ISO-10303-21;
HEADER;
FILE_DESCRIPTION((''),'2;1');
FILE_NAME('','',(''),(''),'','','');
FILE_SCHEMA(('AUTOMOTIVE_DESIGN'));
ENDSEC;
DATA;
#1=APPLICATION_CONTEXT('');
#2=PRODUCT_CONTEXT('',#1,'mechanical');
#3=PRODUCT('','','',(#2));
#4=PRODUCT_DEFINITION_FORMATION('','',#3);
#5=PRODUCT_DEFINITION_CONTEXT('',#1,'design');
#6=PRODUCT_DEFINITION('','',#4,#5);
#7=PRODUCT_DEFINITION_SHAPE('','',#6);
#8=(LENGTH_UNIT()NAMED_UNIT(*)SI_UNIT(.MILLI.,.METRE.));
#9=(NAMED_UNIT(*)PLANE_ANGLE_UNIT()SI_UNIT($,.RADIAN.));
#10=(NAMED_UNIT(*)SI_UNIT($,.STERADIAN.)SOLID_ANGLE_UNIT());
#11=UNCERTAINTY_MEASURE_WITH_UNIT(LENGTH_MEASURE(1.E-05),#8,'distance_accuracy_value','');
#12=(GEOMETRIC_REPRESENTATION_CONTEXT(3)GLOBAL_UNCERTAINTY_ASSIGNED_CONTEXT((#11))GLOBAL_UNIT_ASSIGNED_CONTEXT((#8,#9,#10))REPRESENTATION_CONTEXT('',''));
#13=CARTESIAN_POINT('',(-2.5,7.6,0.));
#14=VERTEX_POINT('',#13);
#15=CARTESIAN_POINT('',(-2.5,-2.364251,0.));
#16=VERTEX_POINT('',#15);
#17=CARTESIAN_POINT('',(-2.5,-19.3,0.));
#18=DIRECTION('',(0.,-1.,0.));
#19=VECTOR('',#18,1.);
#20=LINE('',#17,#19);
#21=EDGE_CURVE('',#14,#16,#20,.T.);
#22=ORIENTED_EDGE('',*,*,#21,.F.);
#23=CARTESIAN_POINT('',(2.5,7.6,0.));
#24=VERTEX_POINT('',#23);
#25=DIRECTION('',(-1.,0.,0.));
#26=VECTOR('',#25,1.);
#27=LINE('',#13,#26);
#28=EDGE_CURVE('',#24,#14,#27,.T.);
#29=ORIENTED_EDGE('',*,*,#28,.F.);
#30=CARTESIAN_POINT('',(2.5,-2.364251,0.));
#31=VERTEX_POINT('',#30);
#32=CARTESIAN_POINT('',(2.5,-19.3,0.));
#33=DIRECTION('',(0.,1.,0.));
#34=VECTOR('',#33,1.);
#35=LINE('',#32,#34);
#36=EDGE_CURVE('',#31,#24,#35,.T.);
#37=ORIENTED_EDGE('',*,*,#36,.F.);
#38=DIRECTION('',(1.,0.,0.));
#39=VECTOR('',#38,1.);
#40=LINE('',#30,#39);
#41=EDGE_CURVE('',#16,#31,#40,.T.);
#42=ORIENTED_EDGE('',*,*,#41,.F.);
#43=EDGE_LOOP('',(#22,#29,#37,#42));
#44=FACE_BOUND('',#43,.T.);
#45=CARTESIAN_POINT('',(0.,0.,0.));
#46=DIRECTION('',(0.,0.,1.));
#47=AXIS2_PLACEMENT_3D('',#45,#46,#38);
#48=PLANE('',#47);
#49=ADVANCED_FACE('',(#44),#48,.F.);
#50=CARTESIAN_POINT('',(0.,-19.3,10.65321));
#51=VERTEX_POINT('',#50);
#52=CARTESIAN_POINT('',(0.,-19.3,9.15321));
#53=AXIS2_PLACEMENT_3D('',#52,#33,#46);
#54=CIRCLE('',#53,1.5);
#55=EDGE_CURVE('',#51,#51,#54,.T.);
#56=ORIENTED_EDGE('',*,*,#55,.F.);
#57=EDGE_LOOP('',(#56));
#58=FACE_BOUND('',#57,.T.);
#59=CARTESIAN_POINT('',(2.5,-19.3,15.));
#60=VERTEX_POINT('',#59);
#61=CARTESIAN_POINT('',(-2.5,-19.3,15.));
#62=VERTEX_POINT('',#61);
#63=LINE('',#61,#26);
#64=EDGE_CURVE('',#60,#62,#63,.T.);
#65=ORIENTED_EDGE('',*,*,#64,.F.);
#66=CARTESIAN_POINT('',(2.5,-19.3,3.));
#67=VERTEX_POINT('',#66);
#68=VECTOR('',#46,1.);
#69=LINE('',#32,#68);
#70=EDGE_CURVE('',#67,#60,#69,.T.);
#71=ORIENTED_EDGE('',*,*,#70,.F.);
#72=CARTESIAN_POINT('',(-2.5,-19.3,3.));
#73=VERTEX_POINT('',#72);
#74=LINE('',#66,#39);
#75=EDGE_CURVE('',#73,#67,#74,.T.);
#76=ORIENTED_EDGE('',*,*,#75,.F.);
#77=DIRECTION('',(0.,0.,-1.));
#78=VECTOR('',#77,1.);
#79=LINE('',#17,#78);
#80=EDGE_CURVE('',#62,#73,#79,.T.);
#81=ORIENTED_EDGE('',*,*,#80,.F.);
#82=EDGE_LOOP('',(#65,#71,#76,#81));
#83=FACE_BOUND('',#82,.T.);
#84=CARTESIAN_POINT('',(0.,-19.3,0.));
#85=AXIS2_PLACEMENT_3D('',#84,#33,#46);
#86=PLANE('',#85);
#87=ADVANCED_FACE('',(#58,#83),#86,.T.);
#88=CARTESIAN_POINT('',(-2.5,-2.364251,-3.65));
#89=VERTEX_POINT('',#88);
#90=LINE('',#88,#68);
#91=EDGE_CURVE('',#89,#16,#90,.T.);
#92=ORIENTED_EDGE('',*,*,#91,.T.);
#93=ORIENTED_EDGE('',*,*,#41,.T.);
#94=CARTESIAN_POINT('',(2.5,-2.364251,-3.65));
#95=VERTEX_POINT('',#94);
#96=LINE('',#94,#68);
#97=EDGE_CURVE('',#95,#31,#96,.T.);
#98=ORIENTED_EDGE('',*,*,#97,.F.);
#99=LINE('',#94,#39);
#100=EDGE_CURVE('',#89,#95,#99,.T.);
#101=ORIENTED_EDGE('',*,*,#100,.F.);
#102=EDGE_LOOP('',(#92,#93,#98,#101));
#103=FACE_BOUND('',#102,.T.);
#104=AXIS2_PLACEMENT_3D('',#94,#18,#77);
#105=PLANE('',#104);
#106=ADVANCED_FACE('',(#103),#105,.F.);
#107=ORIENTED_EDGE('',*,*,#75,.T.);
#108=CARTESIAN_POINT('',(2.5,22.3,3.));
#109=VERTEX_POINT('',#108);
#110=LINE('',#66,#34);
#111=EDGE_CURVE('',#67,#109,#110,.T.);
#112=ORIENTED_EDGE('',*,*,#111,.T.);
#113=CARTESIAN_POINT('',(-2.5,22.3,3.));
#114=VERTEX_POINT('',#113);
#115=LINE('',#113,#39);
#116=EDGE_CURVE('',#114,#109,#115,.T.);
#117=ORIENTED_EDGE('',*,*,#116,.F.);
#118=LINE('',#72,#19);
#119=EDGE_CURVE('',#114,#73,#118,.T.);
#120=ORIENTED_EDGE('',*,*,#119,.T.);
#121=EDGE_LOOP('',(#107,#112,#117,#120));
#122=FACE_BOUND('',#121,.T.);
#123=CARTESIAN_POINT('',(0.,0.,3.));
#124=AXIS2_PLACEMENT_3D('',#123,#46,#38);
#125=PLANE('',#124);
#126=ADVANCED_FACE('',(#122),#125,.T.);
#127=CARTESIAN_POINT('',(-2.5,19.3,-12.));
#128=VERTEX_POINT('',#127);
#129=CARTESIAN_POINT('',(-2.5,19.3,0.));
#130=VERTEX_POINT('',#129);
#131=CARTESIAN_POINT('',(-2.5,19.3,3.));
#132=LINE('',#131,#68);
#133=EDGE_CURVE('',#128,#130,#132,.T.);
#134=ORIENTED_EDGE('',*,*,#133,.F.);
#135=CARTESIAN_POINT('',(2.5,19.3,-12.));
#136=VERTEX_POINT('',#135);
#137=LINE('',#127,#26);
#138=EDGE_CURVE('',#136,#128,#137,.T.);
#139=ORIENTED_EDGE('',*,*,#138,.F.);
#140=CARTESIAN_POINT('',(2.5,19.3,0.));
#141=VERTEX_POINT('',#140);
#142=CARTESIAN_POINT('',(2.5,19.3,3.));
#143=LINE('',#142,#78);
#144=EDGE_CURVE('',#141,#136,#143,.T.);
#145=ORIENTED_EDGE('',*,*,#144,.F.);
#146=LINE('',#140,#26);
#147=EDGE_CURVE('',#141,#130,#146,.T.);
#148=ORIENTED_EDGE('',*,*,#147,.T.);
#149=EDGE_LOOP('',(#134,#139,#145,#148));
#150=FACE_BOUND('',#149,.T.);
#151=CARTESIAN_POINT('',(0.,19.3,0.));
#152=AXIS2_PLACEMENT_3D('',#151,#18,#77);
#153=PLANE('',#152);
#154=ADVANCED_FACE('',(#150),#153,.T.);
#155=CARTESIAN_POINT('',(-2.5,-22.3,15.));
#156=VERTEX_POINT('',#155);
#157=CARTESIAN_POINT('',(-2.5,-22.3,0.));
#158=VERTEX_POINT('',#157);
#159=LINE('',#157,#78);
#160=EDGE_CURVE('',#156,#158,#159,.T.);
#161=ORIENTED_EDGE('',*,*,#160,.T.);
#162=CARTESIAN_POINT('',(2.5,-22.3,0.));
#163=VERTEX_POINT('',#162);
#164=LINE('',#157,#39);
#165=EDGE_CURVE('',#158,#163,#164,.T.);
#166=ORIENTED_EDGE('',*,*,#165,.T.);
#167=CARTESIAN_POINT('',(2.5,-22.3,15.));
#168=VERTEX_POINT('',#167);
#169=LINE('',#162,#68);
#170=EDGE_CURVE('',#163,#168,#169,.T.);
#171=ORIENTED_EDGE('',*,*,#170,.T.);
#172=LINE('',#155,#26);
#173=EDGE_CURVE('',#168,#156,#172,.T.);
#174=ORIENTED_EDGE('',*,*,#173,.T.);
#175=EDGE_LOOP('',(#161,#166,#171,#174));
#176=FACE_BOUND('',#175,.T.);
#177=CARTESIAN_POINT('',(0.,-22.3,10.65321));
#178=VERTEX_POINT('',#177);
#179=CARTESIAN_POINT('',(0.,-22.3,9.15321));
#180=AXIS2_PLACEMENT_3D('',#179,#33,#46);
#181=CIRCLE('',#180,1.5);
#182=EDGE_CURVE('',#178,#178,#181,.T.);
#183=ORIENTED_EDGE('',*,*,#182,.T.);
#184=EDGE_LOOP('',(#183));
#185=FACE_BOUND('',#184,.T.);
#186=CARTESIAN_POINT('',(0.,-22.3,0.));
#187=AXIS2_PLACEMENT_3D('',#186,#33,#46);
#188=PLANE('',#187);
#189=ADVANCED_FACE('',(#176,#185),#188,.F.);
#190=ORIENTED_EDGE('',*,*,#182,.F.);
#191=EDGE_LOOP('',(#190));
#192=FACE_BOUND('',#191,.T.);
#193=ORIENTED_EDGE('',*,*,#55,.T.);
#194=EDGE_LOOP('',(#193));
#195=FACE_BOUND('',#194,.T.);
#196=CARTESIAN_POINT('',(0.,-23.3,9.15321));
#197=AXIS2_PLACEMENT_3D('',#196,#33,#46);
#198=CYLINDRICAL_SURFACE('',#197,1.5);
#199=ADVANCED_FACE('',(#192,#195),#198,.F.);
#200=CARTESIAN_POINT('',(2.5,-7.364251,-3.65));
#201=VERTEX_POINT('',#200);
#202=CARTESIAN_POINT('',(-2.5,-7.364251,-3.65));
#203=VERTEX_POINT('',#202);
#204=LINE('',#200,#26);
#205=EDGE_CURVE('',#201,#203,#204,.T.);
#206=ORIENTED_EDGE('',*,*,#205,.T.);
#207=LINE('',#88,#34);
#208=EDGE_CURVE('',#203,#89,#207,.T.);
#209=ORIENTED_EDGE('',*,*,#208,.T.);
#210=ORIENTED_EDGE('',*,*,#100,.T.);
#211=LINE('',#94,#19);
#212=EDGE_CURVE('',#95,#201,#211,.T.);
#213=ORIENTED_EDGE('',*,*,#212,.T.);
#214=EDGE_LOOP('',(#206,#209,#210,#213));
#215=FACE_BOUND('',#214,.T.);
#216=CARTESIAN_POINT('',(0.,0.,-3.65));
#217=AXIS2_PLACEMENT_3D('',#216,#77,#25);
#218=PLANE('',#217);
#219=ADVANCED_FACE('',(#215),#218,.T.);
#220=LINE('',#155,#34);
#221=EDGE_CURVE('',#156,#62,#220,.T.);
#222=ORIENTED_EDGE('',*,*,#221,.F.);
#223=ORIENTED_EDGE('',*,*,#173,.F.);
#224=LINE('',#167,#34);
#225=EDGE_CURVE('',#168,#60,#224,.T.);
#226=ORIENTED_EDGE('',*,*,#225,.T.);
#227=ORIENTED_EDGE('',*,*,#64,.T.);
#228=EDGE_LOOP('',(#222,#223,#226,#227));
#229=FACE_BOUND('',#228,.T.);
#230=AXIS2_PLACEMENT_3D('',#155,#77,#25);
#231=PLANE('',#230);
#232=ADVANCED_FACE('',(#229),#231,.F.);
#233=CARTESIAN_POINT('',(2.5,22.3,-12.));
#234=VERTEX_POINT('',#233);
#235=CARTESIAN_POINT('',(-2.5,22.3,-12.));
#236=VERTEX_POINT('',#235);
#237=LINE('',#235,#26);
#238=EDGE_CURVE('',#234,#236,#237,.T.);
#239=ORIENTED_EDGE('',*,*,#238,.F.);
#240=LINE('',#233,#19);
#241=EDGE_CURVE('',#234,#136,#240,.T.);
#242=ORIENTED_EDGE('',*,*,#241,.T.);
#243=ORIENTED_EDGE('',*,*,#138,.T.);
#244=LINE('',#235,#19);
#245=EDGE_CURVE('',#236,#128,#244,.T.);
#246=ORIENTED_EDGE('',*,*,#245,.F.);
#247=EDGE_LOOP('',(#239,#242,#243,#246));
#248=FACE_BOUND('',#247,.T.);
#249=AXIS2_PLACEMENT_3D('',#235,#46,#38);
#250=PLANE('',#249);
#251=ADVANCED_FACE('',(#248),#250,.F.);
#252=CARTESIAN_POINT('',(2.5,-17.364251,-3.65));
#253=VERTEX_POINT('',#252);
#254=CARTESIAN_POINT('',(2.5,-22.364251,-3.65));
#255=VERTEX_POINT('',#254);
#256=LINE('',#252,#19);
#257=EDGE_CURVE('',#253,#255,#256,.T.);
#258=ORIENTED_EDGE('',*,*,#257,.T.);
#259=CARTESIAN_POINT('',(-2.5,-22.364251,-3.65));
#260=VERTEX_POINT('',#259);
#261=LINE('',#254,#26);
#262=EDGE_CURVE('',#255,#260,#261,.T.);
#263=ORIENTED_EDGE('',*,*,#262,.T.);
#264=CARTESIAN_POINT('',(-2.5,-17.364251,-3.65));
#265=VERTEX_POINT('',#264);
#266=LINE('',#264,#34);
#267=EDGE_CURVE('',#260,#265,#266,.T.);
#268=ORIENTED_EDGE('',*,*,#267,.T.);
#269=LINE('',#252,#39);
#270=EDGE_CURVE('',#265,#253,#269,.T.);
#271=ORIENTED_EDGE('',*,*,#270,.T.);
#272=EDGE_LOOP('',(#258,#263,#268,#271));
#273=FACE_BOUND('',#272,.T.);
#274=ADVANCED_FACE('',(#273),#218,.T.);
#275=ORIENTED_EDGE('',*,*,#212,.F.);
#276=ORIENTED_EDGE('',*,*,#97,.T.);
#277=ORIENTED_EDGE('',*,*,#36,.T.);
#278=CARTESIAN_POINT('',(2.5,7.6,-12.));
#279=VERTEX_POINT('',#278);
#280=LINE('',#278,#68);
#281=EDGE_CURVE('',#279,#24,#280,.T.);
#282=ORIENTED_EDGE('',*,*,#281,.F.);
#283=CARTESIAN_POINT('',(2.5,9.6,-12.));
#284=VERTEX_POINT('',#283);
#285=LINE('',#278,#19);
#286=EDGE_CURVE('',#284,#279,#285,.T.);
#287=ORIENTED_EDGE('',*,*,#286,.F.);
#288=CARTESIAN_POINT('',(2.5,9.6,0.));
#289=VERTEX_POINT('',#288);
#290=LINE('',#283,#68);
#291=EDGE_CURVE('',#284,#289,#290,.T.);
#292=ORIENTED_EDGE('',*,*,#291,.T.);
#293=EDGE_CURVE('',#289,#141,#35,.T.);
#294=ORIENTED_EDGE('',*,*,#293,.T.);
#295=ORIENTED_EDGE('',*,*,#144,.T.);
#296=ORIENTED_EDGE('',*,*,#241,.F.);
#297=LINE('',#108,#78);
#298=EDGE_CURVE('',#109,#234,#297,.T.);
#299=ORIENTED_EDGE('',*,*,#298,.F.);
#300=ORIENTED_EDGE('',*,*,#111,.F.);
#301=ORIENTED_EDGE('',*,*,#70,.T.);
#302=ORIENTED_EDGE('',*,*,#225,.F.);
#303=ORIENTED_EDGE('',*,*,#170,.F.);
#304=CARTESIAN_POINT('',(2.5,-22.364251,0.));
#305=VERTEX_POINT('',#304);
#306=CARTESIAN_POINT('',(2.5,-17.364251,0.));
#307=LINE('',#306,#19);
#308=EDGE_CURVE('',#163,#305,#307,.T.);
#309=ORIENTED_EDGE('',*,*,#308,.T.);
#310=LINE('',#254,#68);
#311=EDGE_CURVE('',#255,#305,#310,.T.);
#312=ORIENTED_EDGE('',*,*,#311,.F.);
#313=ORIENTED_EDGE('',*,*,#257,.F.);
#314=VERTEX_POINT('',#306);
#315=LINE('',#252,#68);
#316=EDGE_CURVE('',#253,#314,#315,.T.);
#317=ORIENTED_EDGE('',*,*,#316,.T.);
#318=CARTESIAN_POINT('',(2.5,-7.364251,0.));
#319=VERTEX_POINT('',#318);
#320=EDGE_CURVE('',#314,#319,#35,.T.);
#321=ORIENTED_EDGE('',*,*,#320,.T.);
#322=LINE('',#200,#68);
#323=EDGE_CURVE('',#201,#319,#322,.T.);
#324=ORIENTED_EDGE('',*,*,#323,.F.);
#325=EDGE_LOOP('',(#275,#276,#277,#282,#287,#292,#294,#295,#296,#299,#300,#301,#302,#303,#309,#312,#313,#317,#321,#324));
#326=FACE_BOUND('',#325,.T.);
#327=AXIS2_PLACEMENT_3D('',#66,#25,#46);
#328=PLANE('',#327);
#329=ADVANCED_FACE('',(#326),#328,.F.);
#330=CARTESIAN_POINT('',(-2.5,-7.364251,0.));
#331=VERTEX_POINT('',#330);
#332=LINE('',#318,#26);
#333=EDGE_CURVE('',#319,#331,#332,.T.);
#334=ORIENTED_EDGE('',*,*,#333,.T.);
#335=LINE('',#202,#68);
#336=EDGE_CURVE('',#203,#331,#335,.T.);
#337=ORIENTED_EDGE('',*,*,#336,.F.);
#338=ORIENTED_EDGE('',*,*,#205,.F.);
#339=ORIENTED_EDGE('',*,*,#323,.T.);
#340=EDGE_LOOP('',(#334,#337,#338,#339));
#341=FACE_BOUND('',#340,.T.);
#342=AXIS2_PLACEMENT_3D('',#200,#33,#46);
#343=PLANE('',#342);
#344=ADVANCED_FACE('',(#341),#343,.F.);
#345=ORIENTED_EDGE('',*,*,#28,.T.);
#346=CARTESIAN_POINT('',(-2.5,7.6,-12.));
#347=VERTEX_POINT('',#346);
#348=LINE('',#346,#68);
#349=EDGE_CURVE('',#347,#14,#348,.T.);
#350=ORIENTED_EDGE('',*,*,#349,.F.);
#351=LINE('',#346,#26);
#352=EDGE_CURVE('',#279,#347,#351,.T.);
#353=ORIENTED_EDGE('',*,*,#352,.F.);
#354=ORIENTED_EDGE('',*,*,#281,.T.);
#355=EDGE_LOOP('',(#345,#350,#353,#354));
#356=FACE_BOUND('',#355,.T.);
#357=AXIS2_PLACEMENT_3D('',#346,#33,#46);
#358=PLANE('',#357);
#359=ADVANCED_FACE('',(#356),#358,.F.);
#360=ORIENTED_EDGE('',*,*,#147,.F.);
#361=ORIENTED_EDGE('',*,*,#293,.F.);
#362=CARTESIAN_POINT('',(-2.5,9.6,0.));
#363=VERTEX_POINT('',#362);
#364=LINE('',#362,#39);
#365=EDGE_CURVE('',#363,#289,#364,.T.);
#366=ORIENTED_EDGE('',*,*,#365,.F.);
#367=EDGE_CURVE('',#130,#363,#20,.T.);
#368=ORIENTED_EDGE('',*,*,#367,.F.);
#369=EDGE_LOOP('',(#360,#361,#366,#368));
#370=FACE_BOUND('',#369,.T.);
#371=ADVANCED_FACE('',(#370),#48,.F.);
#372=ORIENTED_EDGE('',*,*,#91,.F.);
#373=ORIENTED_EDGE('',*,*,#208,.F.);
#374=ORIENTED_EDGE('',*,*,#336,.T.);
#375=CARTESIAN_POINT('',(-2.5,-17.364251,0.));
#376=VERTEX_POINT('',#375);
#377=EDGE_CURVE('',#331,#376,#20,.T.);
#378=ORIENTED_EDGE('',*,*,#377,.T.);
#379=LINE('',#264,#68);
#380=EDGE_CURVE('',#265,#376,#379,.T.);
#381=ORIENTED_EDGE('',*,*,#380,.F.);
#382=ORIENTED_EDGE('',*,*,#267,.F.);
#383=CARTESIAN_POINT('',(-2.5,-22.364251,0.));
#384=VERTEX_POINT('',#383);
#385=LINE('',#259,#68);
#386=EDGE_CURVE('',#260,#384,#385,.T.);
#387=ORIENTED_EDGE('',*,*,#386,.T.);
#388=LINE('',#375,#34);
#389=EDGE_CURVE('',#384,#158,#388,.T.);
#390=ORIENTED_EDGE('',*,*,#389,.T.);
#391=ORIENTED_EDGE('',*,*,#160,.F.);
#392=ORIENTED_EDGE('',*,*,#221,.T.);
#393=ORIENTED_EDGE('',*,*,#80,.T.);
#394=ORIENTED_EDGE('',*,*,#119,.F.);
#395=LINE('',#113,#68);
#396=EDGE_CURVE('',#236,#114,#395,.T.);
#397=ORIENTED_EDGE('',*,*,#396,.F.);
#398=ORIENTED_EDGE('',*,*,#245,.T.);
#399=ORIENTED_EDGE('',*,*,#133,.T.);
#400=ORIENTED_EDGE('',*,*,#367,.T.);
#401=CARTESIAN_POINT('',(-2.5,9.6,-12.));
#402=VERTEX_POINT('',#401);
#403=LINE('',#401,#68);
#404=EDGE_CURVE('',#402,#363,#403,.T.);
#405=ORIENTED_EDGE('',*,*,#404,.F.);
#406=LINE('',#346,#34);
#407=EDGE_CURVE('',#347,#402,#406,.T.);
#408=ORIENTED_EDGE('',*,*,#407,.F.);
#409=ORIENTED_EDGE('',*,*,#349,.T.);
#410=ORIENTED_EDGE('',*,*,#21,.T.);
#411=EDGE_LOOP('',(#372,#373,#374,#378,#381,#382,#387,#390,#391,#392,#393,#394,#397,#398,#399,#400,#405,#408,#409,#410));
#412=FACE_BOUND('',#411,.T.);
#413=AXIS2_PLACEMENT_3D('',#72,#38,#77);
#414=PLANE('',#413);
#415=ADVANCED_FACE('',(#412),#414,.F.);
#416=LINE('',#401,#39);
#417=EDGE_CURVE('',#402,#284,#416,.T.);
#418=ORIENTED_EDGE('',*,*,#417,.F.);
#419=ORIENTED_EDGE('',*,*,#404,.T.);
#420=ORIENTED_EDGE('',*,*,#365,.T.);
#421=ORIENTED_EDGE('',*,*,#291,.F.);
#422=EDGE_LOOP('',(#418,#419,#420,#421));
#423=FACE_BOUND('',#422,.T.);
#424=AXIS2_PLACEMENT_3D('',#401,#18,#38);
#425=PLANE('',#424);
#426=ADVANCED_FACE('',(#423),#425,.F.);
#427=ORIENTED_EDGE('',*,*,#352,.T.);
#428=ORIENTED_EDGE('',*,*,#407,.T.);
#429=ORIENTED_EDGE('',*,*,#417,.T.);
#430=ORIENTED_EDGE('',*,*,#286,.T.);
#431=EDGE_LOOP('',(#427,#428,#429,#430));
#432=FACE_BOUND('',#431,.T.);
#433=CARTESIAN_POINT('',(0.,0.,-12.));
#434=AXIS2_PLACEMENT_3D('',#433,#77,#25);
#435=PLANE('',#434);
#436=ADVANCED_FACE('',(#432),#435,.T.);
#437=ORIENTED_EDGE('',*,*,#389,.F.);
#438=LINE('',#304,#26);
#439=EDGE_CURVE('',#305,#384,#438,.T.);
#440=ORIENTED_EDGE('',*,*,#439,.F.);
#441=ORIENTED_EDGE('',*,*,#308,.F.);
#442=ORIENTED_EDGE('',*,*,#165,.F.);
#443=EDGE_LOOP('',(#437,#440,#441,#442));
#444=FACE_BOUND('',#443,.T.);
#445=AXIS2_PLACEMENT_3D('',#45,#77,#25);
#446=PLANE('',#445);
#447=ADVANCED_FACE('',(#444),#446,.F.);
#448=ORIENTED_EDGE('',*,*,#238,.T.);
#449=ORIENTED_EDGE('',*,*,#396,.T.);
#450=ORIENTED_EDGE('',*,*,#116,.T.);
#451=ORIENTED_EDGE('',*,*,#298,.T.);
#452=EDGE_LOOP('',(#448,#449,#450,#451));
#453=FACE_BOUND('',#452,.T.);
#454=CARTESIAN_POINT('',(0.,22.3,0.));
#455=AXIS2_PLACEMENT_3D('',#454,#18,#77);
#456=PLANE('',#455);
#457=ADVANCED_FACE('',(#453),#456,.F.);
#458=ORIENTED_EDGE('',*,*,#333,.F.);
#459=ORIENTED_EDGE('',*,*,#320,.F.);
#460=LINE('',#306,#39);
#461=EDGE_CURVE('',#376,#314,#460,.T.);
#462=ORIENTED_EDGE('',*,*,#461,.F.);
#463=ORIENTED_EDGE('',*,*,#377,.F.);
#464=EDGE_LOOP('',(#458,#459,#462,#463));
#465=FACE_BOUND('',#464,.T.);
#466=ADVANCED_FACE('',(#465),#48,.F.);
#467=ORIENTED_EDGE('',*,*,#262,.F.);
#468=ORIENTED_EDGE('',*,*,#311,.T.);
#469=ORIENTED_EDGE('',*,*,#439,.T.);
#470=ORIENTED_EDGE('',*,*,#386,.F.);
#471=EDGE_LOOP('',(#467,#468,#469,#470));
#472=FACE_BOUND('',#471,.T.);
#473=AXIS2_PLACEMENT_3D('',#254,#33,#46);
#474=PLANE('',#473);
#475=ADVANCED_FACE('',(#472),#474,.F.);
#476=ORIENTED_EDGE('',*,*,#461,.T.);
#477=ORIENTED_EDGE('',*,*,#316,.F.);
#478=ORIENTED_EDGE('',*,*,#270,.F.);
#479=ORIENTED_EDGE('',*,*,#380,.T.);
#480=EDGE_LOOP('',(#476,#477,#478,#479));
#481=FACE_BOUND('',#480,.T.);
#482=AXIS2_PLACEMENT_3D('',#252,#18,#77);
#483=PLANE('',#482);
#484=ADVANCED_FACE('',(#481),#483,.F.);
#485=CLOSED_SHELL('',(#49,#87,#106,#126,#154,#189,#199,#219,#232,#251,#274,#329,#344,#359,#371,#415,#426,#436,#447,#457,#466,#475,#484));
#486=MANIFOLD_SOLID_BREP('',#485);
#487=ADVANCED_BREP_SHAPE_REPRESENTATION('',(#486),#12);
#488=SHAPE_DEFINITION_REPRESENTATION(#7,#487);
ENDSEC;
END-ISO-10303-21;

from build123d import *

# Parameters (mm, degrees)
SKETCH1_W           = 5
SKETCH1_H           = 38.6
BOSS_EXTRUDE1_DEPTH = 3
SKETCH3_W           = 5
SKETCH3_H           = 15
BOSS_EXTRUDE2_DEPTH = 3
SKETCH4_R           = 1.5
CUT_EXTRUDE1_DEPTH  = 4
SKETCH7_W           = 5
SKETCH7_H           = 15
BOSS_EXTRUDE3_DEPTH = 3
SKETCH8_W           = 5
SKETCH8_H           = 2
BOSS_EXTRUDE4_DEPTH = 12
SKETCH10_W          = 5
SKETCH10_H          = 5
BOSS_EXTRUDE5_DEPTH = 3.65


with BuildPart() as part:
    # Sketch1 → Boss-Extrude1 (new body)
    with BuildSketch(Plane.XY):
        Rectangle(SKETCH1_W, SKETCH1_H)
    extrude(amount=BOSS_EXTRUDE1_DEPTH)

    # Sketch3 → Boss-Extrude2 (add)
    with BuildSketch(Plane.XZ.offset(19.3)):
        with Locations((0, 7.5)):
            Rectangle(SKETCH3_W, SKETCH3_H)
    extrude(amount=BOSS_EXTRUDE2_DEPTH)

    # Sketch4 → Cut-Extrude1 (cut)
    with BuildSketch(Plane(origin=(0, -19.3, 0), x_dir=(1, 0, 0), z_dir=(0, 1, 0))):
        with Locations(Location((0, -9.153210304, 0), (0, 0, 270))):
            Circle(SKETCH4_R)
    extrude(amount=-CUT_EXTRUDE1_DEPTH, mode=Mode.SUBTRACT)

    # Sketch7 → Boss-Extrude3 (add)
    with BuildSketch(Plane(origin=(0, 19.3, 0), x_dir=(1, 0, 0), z_dir=(0, 1, 0))):
        with Locations((0, 4.5)):
            Rectangle(SKETCH7_W, SKETCH7_H)
    extrude(amount=BOSS_EXTRUDE3_DEPTH)

    # Sketch8 → Boss-Extrude4 (add)
    with BuildSketch(Plane(origin=(0, 0, 0), x_dir=(-1, 0, 0), z_dir=(0, 0, -1))):
        with Locations((0, 8.6)):
            Rectangle(SKETCH8_W, SKETCH8_H)
    extrude(amount=BOSS_EXTRUDE4_DEPTH)

    # Sketch10 → Boss-Extrude5 (add)
    with BuildSketch(Plane(origin=(0, 0, 0), x_dir=(-1, 0, 0), z_dir=(0, 0, -1))):
        with Locations((0, -4.864250557)):
            Rectangle(SKETCH10_W, SKETCH10_H)
        with Locations((0, -19.864250557)):
            Rectangle(SKETCH10_W, SKETCH10_H)
    extrude(amount=BOSS_EXTRUDE5_DEPTH)


solid = part.part
